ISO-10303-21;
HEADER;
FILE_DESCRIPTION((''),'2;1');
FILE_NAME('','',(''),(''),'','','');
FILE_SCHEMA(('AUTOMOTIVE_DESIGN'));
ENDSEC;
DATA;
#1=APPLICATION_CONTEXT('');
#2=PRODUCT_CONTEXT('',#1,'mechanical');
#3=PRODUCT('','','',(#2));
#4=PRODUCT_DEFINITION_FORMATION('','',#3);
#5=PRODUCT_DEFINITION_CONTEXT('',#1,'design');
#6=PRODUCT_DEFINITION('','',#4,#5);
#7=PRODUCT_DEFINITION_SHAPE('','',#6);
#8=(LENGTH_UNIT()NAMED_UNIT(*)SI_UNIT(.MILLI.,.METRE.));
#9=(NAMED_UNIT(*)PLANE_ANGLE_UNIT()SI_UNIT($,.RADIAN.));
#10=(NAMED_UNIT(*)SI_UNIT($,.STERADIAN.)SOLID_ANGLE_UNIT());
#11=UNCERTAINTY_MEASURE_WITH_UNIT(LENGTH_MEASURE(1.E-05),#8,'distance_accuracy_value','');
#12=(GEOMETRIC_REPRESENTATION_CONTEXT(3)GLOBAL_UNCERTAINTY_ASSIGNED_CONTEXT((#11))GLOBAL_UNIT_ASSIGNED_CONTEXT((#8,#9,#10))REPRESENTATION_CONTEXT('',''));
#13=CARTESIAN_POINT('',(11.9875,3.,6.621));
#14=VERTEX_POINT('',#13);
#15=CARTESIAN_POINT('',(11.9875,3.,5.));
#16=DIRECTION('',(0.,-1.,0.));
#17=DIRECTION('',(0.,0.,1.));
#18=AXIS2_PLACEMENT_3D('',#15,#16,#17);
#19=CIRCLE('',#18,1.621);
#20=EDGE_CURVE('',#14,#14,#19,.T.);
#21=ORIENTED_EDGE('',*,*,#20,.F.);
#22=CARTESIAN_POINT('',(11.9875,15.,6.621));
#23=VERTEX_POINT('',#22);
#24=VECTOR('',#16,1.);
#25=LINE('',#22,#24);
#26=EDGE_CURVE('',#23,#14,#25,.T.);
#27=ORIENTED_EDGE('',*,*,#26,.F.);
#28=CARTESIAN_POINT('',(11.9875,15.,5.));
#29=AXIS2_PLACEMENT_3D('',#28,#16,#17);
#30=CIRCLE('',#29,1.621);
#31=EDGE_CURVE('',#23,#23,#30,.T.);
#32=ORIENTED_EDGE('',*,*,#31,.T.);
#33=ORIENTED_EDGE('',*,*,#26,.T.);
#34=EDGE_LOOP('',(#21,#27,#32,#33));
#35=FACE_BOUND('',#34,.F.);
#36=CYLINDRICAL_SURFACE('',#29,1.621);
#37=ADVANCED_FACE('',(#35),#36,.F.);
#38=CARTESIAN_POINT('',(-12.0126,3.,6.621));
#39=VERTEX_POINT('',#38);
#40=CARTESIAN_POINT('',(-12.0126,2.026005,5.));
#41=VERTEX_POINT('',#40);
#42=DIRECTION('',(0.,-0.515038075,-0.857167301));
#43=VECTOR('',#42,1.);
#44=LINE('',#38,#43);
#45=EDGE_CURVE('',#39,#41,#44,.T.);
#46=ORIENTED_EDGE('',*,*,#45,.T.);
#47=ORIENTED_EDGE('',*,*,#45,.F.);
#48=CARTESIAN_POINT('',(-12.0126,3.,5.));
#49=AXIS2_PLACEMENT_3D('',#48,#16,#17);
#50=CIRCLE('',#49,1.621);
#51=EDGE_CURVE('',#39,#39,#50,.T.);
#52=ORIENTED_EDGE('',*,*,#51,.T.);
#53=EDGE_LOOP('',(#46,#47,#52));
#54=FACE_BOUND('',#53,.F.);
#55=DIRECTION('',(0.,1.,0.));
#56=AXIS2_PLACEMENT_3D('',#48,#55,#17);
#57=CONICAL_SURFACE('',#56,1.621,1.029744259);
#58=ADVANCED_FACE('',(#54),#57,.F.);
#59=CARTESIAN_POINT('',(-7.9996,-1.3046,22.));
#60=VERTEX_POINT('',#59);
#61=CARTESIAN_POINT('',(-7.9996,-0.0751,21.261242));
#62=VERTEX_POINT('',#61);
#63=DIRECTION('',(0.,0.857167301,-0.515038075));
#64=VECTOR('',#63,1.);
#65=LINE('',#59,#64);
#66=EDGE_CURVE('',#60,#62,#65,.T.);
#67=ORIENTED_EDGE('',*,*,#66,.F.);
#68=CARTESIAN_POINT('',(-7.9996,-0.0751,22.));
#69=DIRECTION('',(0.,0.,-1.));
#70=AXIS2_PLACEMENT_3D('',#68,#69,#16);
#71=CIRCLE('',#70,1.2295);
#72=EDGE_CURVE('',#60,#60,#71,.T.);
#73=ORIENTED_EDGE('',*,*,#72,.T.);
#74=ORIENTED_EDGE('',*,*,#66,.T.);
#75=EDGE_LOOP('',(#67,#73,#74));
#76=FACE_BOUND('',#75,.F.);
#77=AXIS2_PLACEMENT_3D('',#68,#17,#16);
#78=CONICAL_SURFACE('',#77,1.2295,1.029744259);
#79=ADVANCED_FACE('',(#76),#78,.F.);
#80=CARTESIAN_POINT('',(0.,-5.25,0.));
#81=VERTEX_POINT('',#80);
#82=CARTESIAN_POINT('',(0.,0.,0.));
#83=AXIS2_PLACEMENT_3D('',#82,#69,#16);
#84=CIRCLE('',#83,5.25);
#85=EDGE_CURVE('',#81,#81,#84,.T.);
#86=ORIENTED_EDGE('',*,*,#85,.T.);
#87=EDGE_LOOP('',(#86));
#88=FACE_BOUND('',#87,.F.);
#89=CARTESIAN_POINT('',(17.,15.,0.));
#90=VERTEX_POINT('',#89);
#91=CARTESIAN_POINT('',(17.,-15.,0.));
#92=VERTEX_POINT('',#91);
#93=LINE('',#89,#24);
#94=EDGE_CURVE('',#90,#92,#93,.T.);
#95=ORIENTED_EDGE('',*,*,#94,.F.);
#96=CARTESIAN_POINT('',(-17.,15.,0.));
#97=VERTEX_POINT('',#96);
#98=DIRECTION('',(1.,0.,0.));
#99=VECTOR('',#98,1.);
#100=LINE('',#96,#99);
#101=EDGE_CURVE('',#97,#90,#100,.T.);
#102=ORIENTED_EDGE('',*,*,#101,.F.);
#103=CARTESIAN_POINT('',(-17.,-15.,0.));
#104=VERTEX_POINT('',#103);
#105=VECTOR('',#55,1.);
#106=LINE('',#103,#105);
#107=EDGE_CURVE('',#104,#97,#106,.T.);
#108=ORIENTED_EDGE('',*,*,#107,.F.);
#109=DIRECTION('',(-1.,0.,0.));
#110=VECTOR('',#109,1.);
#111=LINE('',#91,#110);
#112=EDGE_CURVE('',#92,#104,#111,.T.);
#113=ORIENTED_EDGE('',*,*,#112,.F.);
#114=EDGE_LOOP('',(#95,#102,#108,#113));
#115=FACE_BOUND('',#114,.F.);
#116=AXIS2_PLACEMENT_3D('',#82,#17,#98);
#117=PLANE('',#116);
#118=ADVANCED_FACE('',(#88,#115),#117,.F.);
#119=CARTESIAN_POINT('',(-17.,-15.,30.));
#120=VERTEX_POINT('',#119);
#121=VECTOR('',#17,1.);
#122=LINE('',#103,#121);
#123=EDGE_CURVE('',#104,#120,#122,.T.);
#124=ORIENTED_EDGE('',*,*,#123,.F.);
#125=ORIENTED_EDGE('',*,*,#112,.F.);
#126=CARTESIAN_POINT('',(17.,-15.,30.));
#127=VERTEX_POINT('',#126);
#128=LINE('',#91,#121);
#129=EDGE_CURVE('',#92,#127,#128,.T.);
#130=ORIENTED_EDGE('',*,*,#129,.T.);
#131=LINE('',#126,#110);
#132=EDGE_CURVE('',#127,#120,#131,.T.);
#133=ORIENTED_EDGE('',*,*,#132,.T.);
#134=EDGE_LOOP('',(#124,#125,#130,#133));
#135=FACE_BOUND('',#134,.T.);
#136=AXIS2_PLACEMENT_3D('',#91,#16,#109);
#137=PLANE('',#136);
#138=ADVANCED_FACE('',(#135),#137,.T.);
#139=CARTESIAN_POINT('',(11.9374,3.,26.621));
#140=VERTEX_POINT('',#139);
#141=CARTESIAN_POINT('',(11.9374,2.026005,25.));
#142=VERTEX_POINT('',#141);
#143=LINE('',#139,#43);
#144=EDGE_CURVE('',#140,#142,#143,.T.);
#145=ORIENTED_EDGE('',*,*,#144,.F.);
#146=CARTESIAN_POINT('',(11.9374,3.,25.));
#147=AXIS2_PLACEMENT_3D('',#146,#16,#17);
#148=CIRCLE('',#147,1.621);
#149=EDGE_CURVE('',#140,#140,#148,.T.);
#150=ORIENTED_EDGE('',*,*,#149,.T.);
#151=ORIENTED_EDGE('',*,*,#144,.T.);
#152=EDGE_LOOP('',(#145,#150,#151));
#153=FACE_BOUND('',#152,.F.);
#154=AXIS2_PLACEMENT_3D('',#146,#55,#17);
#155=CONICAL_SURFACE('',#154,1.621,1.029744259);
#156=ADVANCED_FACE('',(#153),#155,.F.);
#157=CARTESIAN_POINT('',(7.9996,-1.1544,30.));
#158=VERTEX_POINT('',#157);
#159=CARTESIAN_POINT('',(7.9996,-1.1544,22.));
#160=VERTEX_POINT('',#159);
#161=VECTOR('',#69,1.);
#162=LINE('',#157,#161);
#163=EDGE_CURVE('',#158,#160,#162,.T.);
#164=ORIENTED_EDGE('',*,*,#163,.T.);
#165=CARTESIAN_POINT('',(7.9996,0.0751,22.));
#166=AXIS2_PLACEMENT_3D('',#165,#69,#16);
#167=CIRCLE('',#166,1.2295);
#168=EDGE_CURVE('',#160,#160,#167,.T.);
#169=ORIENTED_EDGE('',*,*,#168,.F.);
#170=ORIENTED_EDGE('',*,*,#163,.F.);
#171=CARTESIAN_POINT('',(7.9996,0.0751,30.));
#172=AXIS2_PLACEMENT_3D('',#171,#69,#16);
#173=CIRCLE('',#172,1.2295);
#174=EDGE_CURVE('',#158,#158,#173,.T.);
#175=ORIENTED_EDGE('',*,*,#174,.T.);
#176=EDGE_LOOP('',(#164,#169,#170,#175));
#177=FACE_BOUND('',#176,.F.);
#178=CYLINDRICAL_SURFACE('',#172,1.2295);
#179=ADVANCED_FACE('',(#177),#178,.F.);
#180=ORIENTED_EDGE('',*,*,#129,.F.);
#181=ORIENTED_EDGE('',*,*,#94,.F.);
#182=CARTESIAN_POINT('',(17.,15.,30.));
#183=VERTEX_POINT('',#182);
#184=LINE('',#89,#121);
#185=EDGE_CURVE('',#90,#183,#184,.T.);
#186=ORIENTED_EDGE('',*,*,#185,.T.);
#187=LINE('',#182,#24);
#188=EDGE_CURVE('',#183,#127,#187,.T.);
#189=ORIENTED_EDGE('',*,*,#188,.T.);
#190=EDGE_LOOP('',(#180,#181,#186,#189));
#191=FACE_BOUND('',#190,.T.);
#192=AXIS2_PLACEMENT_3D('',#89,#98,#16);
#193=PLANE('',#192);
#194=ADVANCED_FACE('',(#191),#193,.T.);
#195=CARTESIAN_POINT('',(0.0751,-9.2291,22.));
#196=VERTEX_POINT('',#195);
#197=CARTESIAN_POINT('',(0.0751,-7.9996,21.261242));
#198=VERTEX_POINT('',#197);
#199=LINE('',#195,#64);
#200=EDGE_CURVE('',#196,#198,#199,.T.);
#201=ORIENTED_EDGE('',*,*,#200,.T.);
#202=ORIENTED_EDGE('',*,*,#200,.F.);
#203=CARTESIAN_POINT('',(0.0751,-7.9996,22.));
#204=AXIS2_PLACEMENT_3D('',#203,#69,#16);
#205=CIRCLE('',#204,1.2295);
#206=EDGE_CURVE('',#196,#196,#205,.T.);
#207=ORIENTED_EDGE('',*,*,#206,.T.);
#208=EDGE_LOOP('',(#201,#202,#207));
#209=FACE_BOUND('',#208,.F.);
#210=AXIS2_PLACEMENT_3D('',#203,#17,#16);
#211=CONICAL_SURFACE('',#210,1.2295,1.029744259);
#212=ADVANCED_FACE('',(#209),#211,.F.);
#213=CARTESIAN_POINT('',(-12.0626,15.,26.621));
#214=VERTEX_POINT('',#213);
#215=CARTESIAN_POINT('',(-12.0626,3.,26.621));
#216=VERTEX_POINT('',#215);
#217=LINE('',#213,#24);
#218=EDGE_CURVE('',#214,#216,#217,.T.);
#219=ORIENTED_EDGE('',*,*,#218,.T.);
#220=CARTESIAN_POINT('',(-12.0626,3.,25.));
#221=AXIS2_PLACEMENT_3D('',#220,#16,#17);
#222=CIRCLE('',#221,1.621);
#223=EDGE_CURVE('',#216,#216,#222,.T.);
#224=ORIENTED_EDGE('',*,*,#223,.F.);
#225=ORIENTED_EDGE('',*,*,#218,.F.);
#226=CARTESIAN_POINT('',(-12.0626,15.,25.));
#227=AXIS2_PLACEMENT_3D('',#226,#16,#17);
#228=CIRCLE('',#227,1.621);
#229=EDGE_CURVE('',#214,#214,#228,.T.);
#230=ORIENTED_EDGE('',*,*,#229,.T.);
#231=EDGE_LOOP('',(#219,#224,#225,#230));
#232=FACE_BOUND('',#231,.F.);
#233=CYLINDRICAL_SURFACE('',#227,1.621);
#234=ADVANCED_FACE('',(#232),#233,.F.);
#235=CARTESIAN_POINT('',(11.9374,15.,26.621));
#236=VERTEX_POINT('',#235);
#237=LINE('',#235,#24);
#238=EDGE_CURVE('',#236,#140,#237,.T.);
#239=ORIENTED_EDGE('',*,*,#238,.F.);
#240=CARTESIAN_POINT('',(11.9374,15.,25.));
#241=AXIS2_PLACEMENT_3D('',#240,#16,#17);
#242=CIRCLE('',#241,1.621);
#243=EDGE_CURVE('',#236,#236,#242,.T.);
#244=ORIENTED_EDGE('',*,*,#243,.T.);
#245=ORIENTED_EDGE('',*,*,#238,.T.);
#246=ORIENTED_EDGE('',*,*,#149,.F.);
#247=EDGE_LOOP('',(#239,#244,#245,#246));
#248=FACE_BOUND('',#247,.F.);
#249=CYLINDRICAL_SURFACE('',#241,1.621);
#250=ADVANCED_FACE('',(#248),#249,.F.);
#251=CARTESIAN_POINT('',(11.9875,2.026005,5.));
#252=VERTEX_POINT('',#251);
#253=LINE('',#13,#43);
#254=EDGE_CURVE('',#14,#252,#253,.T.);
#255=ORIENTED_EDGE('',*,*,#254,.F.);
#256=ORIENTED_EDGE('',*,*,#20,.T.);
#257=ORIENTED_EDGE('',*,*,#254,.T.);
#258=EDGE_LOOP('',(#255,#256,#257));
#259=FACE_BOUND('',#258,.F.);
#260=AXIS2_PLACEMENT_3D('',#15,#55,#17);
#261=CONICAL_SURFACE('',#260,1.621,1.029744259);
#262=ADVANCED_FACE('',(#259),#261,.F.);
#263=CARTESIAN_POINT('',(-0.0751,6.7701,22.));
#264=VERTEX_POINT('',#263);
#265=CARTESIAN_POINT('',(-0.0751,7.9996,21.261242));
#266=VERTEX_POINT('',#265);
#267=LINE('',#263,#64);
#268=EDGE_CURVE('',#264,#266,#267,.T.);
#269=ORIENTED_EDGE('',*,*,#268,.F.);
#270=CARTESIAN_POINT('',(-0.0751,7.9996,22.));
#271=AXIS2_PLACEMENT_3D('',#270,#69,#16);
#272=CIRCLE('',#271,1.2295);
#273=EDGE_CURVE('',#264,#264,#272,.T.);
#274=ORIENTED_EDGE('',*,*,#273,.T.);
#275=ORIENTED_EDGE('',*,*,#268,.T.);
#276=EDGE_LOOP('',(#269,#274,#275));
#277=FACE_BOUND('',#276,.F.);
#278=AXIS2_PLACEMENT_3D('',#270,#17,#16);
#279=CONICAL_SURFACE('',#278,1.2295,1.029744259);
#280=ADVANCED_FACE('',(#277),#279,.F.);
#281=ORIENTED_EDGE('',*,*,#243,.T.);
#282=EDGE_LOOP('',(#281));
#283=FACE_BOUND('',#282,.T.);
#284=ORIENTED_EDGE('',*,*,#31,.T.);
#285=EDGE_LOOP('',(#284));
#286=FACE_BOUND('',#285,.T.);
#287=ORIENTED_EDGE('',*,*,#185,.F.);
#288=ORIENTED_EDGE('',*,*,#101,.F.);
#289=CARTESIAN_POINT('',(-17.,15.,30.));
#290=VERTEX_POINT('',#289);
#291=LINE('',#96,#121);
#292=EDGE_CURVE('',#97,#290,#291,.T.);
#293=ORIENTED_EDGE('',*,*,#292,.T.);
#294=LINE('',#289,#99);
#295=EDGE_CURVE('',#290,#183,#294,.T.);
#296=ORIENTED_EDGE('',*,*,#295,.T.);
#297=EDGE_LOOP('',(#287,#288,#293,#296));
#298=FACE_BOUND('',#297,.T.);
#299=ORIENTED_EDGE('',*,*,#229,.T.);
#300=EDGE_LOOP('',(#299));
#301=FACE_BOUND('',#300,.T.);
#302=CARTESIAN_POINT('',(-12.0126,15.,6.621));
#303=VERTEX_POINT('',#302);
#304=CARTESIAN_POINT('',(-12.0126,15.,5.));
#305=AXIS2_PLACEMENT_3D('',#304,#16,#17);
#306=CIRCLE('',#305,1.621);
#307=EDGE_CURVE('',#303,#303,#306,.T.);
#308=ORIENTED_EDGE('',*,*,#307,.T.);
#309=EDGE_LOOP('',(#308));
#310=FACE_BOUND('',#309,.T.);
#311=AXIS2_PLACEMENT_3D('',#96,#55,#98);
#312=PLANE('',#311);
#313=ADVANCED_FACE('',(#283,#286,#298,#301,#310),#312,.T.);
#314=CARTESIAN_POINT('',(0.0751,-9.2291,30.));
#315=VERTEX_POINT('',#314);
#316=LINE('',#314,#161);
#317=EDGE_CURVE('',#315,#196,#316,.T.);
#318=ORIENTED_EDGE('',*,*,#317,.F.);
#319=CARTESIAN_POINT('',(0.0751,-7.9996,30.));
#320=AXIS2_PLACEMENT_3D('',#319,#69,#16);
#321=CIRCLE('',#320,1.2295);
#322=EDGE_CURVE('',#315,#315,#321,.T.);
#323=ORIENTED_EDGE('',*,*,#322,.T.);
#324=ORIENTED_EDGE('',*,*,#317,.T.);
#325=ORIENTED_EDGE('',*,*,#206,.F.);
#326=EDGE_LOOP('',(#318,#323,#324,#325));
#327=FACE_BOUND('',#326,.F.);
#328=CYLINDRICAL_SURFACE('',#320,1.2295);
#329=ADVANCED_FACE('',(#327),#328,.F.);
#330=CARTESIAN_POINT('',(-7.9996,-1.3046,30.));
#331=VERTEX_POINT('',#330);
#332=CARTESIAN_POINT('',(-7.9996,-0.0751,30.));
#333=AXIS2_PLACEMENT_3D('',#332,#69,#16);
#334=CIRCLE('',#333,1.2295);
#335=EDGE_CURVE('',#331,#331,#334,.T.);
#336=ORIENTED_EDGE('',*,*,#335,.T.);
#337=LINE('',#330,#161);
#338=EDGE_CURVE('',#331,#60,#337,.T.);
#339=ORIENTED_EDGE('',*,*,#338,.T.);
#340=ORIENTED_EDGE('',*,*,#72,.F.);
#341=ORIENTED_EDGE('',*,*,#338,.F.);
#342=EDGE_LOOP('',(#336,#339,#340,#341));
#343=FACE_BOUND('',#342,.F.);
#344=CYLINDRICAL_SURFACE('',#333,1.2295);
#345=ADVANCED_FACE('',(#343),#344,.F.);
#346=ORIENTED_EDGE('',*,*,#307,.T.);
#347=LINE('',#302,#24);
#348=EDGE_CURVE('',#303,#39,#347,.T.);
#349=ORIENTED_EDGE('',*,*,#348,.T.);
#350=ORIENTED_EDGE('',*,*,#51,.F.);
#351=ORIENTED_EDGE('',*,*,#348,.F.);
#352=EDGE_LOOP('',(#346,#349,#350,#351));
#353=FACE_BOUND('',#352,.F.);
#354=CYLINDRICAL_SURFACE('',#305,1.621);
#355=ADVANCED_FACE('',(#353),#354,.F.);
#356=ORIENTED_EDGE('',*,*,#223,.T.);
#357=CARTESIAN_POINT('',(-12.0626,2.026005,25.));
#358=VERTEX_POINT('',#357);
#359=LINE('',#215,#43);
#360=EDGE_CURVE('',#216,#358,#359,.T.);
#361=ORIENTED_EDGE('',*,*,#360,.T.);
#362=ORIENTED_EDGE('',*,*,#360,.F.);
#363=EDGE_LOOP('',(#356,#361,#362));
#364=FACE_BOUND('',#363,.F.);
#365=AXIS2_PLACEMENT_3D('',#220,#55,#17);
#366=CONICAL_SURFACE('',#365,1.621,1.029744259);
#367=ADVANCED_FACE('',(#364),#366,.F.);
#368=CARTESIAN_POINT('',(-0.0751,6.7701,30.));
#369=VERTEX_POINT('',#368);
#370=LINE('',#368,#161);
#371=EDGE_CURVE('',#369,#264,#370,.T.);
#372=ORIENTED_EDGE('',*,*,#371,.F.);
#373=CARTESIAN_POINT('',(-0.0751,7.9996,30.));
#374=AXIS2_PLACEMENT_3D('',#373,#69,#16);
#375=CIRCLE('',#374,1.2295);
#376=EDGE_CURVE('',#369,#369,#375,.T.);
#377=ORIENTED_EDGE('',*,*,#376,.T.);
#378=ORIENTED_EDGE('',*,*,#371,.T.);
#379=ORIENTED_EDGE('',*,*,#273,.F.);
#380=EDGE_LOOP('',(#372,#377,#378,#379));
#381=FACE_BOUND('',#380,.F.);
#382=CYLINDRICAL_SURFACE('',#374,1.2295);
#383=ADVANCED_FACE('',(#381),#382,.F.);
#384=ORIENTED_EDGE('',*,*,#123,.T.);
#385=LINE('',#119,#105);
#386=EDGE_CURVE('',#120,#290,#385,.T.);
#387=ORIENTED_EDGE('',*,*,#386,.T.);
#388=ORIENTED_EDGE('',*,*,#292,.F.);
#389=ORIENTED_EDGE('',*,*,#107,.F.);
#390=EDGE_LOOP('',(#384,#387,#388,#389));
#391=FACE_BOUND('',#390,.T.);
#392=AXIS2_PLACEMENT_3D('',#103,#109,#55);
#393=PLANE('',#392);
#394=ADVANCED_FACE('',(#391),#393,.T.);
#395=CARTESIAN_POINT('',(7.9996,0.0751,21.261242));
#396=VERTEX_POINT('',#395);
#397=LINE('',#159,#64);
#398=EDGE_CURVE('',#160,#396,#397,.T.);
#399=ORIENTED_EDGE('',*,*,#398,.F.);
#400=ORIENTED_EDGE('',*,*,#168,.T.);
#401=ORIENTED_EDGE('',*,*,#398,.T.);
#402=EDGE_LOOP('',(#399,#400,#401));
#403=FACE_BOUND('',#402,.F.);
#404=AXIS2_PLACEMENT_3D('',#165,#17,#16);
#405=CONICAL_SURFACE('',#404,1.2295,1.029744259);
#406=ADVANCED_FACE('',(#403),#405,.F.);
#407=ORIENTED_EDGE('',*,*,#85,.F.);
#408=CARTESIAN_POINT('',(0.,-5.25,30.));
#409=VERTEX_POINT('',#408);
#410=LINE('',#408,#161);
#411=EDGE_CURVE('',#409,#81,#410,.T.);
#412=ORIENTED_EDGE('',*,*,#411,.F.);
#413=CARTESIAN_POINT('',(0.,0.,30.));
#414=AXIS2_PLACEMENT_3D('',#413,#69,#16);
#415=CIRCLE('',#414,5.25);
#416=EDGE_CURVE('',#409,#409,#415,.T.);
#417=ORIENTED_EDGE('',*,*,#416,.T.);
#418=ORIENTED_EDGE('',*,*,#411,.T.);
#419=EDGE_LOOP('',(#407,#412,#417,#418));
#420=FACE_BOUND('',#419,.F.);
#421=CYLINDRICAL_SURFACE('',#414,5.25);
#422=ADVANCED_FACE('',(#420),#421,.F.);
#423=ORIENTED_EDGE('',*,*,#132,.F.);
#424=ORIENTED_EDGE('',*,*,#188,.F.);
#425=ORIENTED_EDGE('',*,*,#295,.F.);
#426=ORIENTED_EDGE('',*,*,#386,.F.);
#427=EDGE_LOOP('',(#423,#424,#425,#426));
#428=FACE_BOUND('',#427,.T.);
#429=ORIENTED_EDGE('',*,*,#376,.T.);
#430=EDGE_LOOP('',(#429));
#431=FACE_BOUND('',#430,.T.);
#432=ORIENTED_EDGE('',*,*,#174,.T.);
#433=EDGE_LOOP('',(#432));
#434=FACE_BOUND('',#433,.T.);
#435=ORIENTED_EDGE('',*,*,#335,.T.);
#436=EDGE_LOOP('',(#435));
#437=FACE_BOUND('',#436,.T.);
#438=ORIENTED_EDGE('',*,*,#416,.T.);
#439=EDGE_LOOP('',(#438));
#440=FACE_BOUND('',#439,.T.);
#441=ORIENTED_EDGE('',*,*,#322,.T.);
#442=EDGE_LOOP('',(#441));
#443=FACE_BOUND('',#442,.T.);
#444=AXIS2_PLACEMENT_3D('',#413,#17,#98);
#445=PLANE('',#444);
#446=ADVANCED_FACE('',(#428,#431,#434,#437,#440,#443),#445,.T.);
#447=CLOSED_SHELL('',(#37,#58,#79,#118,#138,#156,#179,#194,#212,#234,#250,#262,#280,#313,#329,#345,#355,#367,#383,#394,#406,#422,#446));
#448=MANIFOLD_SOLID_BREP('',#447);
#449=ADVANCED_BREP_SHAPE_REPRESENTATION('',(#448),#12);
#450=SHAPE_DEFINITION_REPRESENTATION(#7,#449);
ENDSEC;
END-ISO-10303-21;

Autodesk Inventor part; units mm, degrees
ref_plane "YZ Plane" through (0, 0, 0) normal (1, 0, 0) x (0, 1, 0)
ref_plane "XZ Plane" through (0, 0, 0) normal (0, 1, 0) x (-1, 0, 0)
ref_plane "XY Plane" through (0, 0, 0) normal (0, 0, 1) x (1, 0, 0)
sketch "Esboço1" plane through (0, 0, 0) normal (0, 0, 1) x (1, 0, 0)
  line L0 (-17, 15) -> (17, 15)
  line L1 (17, 15) -> (17, -15)
  line L2 (17, -15) -> (-17, -15)
  line L3 (-17, -15) -> (-17, 15)
  line L4 (-17, 15) -> (17, -15) construction
  line L5 (17, 15) -> (-17, -15) construction
  point P0 (0, 0)
  dimension "d0" = 34
  dimension "d1" = 30
extrude "Extrusão1" add sketch "Esboço1" along normal blind 30
sketch "Esboço2" plane through (0, 0, 30) normal (0, 0, 1) x (1, 0, 0)
  circle A0 centre (0, 0) radius 8 construction
  circle A1 centre (-0.0751, 7.9996) radius 1 construction
  circle A2 centre (0, 0) radius 8 construction
  circle A3 centre (-7.9996, -0.0751) radius 1 construction
  circle A4 centre (0, 0) radius 8 construction
  circle A5 centre (0.0751, -7.9996) radius 1 construction
  circle A6 centre (0, 0) radius 8 construction
  circle A7 centre (7.9996, 0.0751) radius 1 construction
  dimension "d4" = 16
  dimension "d5" = 2
  dimension "d8" = 360
hole "Furo1" at (-0.0751, 7.9996, 30) at (-7.9996, -0.0751, 30) at (7.9996, 0.0751, 30) at (0.0751, -7.9996, 30) direction (0, 0, -1) diameter 2.459 depth 8 tip angle 118 thread size "M3x0.5" class "6H" standard "ANSI Metric M Profile"
sketch "Esboço3" plane through (0, 0, 30) normal (0, 0, 1) x (1, 0, 0)
  circle A0 centre (0, 0) radius 5.25
  dimension "d17" = 10.5
hole "Furo2" at (0, 0, 30) direction (0, 0, -1) diameter 10.5 end through all
sketch "Esboço4" plane through (-17, 15, 0) normal (0, 1, 0) x (1, 0, 0)
  line L0 (0, 0) -> (0, -30) construction
  line L1 (0, -15) -> (34, -15) construction
  line L2 (34, 0) -> (34, -30) construction
  line L3 (18.1544, -30) -> (15.6954, -30) construction
  line L4 (16.9249, -30) -> (17, 0) construction
  line L5 (11.75, 0) -> (22.25, 0) construction
  circle A0 centre (4.9874, -5) radius 1 construction
  circle A1 centre (28.9875, -5) radius 1 construction
  circle A2 centre (28.9374, -25) radius 1 construction
  circle A3 centre (4.9374, -25) radius 1 construction
  dimension "d25" = 2
  dimension "d26" = 2
  dimension "d27" = 2
  dimension "d28" = 2
  dimension "d29" = 10
  dimension "d30" = 10
  dimension "d31" = 10
  dimension "d32" = 10
  dimension "d33" = 12
  dimension "d34" = 12
  dimension "d35" = 12
  dimension "d36" = 12
hole "Furo3" at (-12.0626, 15, 25) at (-12.0126, 15, 5) at (11.9875, 15, 5) at (11.9374, 15, 25) direction (0, -1, 0) diameter 3.242 depth 12 tip angle 118 thread size "M4x0.7" class "6H" standard "ANSI Metric M Profile"
equation "\"d30\" = d29"
equation "\"d31\" = d29"
equation "\"d32\" = d29"
equation "\"d34\" = d33"
equation "\"d35\" = d33"
equation "\"d36\" = d33"
properties part number "SuporteCastanhaTr8"
